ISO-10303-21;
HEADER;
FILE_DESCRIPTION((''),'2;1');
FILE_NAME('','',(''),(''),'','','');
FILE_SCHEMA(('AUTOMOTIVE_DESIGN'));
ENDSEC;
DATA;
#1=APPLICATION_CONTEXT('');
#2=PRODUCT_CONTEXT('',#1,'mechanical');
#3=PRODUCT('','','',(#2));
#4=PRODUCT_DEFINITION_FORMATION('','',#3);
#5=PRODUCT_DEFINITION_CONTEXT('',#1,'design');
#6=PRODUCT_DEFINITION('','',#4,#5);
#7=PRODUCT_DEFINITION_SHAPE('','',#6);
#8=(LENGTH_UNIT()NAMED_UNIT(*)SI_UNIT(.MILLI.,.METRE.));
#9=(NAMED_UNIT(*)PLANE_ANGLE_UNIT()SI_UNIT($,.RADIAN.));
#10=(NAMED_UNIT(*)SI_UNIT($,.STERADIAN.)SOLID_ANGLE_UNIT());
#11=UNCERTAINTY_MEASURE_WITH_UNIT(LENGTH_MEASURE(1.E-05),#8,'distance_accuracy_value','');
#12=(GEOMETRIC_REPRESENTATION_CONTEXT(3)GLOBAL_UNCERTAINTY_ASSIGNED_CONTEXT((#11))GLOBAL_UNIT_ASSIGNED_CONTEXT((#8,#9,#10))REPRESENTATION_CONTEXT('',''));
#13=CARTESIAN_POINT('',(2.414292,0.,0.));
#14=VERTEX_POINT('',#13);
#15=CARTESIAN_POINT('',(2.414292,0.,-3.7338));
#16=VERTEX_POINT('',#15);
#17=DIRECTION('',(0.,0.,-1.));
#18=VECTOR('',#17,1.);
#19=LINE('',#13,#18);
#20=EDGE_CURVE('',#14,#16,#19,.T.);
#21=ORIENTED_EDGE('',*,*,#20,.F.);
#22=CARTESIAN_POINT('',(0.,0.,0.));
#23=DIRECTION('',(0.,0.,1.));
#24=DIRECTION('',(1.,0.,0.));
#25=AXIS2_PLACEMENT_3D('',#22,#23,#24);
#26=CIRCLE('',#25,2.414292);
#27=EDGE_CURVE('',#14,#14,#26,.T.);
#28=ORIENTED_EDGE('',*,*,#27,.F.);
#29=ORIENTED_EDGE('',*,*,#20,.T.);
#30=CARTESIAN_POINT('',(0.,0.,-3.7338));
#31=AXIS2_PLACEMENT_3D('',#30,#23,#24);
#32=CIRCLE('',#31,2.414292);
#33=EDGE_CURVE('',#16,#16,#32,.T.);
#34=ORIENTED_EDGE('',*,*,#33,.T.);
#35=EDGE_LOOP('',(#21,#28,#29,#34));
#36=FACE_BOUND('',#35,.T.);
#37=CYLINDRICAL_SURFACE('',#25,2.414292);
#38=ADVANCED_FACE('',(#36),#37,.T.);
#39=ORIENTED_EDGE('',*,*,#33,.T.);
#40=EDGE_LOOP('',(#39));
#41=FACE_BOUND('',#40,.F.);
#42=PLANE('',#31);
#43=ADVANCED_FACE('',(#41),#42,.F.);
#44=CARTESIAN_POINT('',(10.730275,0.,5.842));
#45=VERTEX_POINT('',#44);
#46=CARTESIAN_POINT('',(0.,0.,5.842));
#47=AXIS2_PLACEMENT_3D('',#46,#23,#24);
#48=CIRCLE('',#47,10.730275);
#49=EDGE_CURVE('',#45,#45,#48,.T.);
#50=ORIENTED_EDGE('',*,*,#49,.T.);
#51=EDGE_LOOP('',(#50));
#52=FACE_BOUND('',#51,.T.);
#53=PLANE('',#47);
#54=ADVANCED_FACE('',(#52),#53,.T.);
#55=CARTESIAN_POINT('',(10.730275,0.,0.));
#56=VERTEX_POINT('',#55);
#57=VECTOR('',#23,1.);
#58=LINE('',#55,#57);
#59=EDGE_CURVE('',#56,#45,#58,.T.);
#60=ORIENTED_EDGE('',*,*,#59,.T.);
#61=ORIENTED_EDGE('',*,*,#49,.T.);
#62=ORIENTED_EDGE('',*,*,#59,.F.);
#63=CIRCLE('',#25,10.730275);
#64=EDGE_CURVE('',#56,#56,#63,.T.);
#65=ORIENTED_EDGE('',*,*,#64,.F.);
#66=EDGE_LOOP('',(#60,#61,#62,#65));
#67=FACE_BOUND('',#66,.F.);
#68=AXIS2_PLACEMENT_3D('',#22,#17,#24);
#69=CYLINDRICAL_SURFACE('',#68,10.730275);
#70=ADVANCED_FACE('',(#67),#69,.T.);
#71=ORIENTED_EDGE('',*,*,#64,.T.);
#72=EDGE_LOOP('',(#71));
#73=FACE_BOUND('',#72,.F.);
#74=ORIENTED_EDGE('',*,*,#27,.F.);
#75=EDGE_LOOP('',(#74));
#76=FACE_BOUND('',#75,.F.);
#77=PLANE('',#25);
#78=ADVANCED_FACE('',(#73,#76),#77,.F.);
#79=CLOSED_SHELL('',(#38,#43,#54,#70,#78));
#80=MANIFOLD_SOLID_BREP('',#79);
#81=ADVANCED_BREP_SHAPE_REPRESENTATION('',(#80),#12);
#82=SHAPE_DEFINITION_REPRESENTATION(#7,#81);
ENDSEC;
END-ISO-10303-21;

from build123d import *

# Parameters (mm, degrees)
F0_R     = 10.730275
F1_DEPTH = 5.842
F2_R     = 2.414292
F3_DEPTH = 3.7338


with BuildPart() as f1:
    # F0 (on Top) → F1 (new body)
    with BuildSketch(Plane.XY):
        Circle(F0_R)
    extrude(amount=F1_DEPTH)

    # F2 (on face) → F3 (join)
    with BuildSketch(Plane.XY):
        Circle(F2_R)
    extrude(amount=-F3_DEPTH)


solid = f1.part
